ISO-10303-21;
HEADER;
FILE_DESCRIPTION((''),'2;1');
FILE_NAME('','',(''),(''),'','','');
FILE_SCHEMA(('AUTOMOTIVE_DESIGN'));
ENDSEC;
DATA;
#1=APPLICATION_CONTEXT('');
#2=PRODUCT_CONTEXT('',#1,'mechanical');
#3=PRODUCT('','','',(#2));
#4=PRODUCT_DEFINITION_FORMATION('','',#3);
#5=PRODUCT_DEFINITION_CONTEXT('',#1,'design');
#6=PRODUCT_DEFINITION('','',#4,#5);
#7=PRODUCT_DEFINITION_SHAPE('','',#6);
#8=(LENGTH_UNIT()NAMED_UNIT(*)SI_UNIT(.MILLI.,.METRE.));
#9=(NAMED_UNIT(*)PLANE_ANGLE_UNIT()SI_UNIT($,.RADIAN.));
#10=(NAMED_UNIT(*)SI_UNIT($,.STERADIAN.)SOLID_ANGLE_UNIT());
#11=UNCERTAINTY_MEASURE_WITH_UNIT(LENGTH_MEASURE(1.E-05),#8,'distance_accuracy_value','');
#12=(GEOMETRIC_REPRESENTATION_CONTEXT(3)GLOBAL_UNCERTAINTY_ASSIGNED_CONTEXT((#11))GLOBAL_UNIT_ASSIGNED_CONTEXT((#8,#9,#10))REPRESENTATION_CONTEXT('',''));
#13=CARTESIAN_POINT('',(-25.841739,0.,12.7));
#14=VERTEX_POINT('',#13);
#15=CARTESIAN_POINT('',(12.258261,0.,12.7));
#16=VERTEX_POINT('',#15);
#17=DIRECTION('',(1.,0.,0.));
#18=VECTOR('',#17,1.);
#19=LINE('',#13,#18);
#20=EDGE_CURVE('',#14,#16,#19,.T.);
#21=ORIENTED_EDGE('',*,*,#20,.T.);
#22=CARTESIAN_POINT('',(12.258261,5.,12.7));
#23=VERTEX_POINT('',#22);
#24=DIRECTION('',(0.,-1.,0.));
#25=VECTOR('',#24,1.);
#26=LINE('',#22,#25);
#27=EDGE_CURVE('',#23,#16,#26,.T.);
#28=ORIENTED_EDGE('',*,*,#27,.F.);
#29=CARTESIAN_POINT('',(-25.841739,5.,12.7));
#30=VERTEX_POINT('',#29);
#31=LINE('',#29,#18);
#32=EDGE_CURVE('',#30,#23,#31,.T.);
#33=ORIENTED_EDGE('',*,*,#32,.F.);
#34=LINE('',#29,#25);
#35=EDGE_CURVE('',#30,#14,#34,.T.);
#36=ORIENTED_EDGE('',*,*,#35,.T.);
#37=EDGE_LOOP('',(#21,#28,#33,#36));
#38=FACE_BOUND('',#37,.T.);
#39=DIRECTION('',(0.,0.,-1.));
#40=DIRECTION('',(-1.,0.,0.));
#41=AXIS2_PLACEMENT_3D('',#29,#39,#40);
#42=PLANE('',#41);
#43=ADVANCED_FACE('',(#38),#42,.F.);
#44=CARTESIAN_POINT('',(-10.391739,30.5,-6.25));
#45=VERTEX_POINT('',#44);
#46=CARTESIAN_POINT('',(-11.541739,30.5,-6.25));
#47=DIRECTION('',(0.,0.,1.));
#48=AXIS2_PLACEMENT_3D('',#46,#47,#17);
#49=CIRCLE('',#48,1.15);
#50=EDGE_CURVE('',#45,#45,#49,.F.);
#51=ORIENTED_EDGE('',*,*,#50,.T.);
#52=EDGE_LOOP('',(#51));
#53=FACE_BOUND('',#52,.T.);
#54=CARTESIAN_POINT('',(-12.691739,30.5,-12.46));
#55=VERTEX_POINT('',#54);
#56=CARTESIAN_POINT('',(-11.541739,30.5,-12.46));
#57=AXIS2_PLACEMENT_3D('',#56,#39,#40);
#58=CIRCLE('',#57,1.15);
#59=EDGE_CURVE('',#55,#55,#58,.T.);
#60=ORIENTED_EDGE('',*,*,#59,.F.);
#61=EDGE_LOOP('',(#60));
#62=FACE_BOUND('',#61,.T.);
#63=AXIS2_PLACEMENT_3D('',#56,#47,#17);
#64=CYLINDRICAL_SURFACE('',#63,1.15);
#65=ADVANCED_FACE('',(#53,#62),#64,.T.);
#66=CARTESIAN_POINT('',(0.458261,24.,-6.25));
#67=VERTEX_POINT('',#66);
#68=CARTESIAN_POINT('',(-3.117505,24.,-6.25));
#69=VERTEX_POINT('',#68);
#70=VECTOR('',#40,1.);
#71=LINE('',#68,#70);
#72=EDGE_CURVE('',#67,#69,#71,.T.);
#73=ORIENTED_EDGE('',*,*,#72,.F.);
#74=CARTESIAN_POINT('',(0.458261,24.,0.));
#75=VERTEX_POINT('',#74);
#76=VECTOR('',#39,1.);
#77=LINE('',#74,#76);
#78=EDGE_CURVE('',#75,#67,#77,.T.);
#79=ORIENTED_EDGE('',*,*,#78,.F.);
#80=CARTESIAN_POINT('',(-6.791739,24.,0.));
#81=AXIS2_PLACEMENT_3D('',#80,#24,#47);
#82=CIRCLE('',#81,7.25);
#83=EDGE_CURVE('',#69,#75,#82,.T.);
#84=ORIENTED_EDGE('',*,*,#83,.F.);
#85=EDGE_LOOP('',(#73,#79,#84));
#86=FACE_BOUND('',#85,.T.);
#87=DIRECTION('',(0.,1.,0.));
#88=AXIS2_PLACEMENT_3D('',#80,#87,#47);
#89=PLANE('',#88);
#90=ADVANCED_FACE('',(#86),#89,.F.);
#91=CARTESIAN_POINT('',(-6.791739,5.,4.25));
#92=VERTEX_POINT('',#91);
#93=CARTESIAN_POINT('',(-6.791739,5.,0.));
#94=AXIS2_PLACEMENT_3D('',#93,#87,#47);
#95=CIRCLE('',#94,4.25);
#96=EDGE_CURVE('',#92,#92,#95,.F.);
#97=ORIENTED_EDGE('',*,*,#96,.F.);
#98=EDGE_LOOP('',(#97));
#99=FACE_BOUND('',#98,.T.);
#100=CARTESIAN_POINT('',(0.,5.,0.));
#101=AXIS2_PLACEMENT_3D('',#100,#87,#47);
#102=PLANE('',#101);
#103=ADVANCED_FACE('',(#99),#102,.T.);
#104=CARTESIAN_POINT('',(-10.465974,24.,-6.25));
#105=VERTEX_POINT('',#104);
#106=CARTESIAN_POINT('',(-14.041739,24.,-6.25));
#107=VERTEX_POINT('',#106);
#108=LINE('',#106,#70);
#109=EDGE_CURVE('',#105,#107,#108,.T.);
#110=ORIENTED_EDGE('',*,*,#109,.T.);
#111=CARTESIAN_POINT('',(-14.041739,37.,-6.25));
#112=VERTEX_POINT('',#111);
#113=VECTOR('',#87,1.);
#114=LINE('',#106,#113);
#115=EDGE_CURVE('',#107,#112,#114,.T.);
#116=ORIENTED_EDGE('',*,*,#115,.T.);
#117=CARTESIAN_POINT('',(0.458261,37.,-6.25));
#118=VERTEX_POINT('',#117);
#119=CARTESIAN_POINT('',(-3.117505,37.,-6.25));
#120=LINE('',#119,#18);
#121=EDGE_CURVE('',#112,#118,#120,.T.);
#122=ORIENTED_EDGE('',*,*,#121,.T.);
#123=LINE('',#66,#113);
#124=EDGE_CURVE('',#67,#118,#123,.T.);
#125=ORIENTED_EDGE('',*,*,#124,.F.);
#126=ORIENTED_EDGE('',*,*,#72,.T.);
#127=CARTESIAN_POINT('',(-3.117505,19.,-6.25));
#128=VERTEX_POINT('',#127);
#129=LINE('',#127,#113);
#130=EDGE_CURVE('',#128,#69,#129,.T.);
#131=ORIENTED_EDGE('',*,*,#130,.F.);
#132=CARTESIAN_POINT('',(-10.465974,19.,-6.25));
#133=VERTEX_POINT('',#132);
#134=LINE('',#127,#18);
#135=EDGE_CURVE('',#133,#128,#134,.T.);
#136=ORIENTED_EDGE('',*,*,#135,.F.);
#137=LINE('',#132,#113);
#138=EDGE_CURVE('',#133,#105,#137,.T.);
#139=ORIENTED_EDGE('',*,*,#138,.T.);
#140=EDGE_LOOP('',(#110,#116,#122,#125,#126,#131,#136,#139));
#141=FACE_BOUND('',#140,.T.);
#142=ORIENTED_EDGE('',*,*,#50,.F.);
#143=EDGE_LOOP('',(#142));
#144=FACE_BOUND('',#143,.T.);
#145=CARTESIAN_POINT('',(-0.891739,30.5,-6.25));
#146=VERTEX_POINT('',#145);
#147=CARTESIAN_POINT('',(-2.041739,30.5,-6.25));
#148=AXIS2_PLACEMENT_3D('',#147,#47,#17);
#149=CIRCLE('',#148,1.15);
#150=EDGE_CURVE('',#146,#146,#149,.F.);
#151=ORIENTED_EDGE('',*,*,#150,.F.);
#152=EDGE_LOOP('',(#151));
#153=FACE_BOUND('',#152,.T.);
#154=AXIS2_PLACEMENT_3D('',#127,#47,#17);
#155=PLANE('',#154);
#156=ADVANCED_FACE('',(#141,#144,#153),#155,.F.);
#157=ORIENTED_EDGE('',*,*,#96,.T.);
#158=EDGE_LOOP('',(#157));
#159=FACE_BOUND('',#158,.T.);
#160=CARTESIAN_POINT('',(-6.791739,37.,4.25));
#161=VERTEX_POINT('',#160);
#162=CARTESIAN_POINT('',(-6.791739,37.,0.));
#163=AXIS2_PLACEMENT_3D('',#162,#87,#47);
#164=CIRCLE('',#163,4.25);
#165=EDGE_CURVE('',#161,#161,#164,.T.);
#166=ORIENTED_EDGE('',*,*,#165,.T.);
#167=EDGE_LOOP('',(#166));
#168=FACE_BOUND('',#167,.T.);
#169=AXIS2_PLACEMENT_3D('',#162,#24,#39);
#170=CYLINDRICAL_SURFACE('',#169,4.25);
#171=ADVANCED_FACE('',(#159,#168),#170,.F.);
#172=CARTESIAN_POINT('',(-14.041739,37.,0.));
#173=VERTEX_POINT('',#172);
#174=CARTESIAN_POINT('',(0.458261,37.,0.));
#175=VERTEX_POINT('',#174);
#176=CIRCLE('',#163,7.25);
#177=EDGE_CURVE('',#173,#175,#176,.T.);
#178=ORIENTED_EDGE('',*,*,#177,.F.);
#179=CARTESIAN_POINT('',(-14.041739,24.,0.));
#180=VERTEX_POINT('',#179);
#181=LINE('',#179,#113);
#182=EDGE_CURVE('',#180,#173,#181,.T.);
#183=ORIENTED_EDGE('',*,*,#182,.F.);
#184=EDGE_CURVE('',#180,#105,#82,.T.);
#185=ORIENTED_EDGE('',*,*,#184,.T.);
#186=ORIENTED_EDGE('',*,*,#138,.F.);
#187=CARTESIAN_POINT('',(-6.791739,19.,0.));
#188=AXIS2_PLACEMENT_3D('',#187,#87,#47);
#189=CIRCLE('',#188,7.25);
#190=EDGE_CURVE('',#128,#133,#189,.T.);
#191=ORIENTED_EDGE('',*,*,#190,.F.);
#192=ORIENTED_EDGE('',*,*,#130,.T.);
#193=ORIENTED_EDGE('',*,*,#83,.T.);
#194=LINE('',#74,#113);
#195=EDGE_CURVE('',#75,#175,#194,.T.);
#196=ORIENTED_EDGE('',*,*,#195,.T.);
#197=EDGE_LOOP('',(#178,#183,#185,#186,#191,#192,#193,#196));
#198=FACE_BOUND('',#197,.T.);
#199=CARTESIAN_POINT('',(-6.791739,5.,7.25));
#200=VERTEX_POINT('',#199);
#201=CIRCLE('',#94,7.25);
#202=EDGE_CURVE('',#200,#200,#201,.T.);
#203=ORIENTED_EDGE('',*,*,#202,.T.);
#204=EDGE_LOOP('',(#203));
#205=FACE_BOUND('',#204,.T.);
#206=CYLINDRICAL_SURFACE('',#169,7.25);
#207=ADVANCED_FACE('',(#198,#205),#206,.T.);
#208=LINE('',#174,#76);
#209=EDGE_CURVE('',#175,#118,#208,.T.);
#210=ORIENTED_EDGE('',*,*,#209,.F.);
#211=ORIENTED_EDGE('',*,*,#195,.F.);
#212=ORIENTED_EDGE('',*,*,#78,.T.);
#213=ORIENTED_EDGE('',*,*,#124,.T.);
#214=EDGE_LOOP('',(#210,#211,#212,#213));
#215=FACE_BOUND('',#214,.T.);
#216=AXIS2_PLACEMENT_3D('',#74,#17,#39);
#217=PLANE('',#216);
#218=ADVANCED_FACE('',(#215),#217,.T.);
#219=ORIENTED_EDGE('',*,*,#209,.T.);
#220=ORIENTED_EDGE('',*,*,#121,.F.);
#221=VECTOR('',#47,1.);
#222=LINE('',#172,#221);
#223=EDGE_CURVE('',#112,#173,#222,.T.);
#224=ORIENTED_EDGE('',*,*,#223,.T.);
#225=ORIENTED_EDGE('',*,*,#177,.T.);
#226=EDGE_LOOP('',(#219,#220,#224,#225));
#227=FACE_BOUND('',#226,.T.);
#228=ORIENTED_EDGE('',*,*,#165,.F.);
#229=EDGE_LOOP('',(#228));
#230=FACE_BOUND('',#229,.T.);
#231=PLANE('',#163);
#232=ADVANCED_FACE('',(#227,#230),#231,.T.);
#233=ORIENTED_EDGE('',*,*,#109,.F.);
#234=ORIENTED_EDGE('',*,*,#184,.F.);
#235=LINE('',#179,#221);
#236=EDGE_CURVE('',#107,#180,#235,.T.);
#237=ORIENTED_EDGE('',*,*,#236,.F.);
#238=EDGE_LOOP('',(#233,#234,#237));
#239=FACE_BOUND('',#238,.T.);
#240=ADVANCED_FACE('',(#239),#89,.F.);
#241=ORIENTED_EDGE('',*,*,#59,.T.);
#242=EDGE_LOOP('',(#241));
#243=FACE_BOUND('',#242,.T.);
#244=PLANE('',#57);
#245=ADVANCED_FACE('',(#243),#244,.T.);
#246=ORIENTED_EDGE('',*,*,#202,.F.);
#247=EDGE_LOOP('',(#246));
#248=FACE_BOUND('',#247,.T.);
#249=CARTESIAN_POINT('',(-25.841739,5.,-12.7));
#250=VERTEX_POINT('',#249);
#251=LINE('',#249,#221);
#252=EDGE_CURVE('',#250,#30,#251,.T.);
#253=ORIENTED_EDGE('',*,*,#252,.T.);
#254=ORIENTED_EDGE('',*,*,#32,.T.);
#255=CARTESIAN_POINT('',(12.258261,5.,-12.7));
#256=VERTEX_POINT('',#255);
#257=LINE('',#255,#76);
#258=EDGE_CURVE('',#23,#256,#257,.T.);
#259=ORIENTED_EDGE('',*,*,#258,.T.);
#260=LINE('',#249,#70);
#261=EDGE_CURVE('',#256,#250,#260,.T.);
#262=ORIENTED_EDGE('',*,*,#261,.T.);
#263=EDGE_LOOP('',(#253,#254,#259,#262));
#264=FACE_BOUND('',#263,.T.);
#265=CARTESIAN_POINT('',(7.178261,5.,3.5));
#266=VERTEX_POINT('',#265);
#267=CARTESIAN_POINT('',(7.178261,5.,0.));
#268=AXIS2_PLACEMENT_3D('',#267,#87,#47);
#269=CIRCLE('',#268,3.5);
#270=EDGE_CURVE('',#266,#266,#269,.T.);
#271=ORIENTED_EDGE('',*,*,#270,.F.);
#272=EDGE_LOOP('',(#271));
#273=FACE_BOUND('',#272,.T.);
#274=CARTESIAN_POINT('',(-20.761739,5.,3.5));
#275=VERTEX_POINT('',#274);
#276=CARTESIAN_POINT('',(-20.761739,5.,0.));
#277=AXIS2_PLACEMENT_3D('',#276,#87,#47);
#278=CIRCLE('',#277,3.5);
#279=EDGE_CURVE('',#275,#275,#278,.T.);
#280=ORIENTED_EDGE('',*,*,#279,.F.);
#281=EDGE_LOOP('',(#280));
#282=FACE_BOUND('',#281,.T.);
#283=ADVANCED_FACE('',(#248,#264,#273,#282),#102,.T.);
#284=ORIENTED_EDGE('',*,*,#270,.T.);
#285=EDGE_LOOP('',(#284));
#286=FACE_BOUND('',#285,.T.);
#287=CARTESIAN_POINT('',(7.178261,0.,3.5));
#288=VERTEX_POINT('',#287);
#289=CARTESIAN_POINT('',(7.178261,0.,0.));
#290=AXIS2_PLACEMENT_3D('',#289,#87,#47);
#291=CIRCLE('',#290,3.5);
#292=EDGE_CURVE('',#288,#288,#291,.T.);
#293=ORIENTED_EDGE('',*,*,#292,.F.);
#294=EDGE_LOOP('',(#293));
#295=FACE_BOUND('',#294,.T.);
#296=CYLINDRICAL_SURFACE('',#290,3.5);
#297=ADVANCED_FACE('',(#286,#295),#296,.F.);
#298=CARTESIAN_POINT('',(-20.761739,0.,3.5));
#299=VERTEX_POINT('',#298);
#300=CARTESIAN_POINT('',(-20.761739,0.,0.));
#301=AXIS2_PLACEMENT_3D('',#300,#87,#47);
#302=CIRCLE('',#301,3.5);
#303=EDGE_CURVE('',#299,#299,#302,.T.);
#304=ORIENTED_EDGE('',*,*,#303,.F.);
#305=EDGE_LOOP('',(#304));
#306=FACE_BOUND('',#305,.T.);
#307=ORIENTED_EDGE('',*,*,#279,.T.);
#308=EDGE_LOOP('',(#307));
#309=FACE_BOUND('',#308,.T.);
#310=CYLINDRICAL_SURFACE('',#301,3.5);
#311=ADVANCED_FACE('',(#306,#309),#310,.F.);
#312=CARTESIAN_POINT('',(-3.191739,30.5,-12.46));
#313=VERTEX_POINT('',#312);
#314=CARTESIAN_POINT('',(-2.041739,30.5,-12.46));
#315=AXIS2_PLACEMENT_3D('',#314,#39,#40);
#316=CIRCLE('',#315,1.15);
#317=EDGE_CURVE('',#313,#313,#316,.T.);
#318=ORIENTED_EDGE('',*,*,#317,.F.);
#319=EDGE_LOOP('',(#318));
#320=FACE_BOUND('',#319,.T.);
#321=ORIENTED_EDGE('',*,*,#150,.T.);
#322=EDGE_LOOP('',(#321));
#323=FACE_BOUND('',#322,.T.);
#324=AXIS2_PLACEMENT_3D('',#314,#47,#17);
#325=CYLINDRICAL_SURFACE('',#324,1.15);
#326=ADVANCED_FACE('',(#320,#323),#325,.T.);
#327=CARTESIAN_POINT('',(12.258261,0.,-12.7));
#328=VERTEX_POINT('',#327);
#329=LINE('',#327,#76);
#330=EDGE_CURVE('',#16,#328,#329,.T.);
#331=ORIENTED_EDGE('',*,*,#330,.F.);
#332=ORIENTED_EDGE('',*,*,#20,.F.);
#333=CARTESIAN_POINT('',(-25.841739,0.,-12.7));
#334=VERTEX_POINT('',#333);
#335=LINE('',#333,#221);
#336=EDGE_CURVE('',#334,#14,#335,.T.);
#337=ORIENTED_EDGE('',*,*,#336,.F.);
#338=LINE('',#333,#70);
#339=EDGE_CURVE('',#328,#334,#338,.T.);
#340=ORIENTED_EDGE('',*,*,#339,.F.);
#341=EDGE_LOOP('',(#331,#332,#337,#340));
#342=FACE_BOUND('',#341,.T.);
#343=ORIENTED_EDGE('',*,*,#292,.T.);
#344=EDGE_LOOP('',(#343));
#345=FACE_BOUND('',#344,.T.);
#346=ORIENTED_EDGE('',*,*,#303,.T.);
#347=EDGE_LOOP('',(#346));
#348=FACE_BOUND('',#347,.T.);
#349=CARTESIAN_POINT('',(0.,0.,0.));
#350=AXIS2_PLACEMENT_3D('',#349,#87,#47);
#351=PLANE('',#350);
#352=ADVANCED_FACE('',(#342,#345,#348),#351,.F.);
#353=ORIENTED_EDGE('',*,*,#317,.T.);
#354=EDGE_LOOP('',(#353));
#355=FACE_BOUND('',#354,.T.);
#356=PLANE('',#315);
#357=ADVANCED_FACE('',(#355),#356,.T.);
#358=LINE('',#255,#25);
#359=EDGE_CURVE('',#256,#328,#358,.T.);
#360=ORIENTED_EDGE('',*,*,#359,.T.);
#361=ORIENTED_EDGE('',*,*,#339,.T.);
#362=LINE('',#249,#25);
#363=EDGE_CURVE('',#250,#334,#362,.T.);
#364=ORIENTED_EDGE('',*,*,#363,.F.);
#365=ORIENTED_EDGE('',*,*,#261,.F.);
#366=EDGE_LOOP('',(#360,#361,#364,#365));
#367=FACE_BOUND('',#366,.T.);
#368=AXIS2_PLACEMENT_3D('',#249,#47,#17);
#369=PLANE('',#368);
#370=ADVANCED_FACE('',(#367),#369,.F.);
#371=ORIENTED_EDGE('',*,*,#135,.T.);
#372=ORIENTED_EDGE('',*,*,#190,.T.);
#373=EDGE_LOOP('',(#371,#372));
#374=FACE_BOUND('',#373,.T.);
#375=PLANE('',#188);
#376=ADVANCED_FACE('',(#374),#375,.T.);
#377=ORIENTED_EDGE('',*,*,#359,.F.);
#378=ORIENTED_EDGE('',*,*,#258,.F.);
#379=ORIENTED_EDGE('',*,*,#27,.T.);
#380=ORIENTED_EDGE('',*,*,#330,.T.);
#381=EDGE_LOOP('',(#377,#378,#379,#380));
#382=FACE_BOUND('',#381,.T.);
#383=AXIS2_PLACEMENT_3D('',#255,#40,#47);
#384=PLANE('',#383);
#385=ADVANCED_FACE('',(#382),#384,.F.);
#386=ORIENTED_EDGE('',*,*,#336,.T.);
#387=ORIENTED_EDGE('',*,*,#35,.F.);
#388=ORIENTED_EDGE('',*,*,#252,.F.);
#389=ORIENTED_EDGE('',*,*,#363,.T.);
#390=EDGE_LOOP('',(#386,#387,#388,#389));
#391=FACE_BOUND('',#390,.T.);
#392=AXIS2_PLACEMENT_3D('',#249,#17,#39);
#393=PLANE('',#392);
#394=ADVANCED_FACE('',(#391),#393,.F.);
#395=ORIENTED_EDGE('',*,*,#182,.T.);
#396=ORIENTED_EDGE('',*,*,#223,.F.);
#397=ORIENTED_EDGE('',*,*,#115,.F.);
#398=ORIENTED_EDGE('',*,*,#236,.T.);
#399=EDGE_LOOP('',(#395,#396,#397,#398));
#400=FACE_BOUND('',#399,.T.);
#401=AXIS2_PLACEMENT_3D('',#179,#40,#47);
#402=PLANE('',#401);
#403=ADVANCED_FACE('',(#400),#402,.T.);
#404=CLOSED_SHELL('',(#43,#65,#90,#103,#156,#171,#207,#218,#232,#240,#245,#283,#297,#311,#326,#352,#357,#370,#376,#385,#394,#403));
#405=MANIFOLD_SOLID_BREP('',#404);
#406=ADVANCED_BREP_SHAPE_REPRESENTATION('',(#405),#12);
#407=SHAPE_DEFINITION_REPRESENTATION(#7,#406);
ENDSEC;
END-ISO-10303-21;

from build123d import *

# Parameters (mm, degrees)
SKETCH1_W           = 38.1
SKETCH1_H           = 25.4
BOSS_EXTRUDE1_DEPTH = 5
SKETCH3_R           = 7.25
SKETCH3_R_2         = 4.25
BOSS_EXTRUDE2_DEPTH = 32
SKETCH4_R           = 3.5
CUT_EXTRUDE1_DEPTH  = 44.047479384
CUT_EXTRUDE2_START  = -18
CUT_EXTRUDE2_DEPTH  = 18
BOSS_EXTRUDE3_START = -13
BOSS_EXTRUDE3_DEPTH = 13
SKETCH9_R           = 1.15
BOSS_EXTRUDE4_DEPTH = 6.21


with BuildPart() as part:
    # Sketch1 → Boss-Extrude1 (new body)
    with BuildSketch(Plane(origin=(0, 0, 0), x_dir=(1, 0, 0), z_dir=(0, 1, 0))):
        with Locations((-6.79173913, 0)):
            Rectangle(SKETCH1_W, SKETCH1_H)
    extrude(amount=BOSS_EXTRUDE1_DEPTH)

    # Sketch3 → Boss-Extrude2 (add)
    with BuildSketch(Plane(origin=(0, 5, 0), x_dir=(1, 0, 0), z_dir=(0, 1, 0))):
        with Locations((-6.79173913, 0)):
            Circle(SKETCH3_R)
        with Locations((-6.79173913, 0)):
            Circle(SKETCH3_R_2, mode=Mode.SUBTRACT)
    extrude(amount=BOSS_EXTRUDE2_DEPTH)

    # Sketch4 → Cut-Extrude1 (cut, through all)
    with BuildSketch(Plane(origin=(0, 5, 0), x_dir=(1, 0, 0), z_dir=(0, 1, 0))):
        with Locations((7.17826087, 0)):
            Circle(SKETCH4_R)
        with Locations((-20.76173913, 0)):
            Circle(SKETCH4_R)
    extrude(amount=-CUT_EXTRUDE1_DEPTH, mode=Mode.SUBTRACT)

    # Sketch6 → Cut-Extrude2 (cut)
    with BuildSketch(Plane(origin=(0, 37, 0), x_dir=(1, 0, 0), z_dir=(0, 1, 0)).offset(CUT_EXTRUDE2_START)):
        with BuildLine():
            Line((-3.117504516, 6.25), (-10.465973745, 6.25))
            ThreePointArc((-10.465973745, 6.25), (-6.79173913, 7.25), (-3.117504516, 6.25))
        make_face()
    extrude(amount=CUT_EXTRUDE2_DEPTH, mode=Mode.SUBTRACT)

    # Sketch8 → Boss-Extrude3 (add)
    with BuildSketch(Plane(origin=(0, 37, 0), x_dir=(1, 0, 0), z_dir=(0, 1, 0)).offset(BOSS_EXTRUDE3_START)):
        with BuildLine():
            Line((-14.04173913, 6.25), (-10.465973745, 6.25))
            ThreePointArc((-10.465973745, 6.25), (-13.084620067, 3.600298533), (-14.04173913, 0))
            Line((-14.04173913, 0), (-14.04173913, 6.25))
        make_face()
        with BuildLine():
            Line((0.45826087, 0), (0.45826087, 6.25))
            Line((0.45826087, 6.25), (-3.117504516, 6.25))
            ThreePointArc((-3.117504516, 6.25), (-0.498858194, 3.600298533), (0.45826087, 0))
        make_face()
    extrude(amount=BOSS_EXTRUDE3_DEPTH)

    # Sketch9 → Boss-Extrude4 (add)
    with BuildSketch(Plane(origin=(0, 0, -6.25), x_dir=(-1, 0, 0), z_dir=(0, 0, -1))):
        with Locations((2.04173913, 30.5)):
            Circle(SKETCH9_R)
        with Locations((11.54173913, 30.5)):
            Circle(SKETCH9_R)
    extrude(amount=BOSS_EXTRUDE4_DEPTH)


solid = part.part
